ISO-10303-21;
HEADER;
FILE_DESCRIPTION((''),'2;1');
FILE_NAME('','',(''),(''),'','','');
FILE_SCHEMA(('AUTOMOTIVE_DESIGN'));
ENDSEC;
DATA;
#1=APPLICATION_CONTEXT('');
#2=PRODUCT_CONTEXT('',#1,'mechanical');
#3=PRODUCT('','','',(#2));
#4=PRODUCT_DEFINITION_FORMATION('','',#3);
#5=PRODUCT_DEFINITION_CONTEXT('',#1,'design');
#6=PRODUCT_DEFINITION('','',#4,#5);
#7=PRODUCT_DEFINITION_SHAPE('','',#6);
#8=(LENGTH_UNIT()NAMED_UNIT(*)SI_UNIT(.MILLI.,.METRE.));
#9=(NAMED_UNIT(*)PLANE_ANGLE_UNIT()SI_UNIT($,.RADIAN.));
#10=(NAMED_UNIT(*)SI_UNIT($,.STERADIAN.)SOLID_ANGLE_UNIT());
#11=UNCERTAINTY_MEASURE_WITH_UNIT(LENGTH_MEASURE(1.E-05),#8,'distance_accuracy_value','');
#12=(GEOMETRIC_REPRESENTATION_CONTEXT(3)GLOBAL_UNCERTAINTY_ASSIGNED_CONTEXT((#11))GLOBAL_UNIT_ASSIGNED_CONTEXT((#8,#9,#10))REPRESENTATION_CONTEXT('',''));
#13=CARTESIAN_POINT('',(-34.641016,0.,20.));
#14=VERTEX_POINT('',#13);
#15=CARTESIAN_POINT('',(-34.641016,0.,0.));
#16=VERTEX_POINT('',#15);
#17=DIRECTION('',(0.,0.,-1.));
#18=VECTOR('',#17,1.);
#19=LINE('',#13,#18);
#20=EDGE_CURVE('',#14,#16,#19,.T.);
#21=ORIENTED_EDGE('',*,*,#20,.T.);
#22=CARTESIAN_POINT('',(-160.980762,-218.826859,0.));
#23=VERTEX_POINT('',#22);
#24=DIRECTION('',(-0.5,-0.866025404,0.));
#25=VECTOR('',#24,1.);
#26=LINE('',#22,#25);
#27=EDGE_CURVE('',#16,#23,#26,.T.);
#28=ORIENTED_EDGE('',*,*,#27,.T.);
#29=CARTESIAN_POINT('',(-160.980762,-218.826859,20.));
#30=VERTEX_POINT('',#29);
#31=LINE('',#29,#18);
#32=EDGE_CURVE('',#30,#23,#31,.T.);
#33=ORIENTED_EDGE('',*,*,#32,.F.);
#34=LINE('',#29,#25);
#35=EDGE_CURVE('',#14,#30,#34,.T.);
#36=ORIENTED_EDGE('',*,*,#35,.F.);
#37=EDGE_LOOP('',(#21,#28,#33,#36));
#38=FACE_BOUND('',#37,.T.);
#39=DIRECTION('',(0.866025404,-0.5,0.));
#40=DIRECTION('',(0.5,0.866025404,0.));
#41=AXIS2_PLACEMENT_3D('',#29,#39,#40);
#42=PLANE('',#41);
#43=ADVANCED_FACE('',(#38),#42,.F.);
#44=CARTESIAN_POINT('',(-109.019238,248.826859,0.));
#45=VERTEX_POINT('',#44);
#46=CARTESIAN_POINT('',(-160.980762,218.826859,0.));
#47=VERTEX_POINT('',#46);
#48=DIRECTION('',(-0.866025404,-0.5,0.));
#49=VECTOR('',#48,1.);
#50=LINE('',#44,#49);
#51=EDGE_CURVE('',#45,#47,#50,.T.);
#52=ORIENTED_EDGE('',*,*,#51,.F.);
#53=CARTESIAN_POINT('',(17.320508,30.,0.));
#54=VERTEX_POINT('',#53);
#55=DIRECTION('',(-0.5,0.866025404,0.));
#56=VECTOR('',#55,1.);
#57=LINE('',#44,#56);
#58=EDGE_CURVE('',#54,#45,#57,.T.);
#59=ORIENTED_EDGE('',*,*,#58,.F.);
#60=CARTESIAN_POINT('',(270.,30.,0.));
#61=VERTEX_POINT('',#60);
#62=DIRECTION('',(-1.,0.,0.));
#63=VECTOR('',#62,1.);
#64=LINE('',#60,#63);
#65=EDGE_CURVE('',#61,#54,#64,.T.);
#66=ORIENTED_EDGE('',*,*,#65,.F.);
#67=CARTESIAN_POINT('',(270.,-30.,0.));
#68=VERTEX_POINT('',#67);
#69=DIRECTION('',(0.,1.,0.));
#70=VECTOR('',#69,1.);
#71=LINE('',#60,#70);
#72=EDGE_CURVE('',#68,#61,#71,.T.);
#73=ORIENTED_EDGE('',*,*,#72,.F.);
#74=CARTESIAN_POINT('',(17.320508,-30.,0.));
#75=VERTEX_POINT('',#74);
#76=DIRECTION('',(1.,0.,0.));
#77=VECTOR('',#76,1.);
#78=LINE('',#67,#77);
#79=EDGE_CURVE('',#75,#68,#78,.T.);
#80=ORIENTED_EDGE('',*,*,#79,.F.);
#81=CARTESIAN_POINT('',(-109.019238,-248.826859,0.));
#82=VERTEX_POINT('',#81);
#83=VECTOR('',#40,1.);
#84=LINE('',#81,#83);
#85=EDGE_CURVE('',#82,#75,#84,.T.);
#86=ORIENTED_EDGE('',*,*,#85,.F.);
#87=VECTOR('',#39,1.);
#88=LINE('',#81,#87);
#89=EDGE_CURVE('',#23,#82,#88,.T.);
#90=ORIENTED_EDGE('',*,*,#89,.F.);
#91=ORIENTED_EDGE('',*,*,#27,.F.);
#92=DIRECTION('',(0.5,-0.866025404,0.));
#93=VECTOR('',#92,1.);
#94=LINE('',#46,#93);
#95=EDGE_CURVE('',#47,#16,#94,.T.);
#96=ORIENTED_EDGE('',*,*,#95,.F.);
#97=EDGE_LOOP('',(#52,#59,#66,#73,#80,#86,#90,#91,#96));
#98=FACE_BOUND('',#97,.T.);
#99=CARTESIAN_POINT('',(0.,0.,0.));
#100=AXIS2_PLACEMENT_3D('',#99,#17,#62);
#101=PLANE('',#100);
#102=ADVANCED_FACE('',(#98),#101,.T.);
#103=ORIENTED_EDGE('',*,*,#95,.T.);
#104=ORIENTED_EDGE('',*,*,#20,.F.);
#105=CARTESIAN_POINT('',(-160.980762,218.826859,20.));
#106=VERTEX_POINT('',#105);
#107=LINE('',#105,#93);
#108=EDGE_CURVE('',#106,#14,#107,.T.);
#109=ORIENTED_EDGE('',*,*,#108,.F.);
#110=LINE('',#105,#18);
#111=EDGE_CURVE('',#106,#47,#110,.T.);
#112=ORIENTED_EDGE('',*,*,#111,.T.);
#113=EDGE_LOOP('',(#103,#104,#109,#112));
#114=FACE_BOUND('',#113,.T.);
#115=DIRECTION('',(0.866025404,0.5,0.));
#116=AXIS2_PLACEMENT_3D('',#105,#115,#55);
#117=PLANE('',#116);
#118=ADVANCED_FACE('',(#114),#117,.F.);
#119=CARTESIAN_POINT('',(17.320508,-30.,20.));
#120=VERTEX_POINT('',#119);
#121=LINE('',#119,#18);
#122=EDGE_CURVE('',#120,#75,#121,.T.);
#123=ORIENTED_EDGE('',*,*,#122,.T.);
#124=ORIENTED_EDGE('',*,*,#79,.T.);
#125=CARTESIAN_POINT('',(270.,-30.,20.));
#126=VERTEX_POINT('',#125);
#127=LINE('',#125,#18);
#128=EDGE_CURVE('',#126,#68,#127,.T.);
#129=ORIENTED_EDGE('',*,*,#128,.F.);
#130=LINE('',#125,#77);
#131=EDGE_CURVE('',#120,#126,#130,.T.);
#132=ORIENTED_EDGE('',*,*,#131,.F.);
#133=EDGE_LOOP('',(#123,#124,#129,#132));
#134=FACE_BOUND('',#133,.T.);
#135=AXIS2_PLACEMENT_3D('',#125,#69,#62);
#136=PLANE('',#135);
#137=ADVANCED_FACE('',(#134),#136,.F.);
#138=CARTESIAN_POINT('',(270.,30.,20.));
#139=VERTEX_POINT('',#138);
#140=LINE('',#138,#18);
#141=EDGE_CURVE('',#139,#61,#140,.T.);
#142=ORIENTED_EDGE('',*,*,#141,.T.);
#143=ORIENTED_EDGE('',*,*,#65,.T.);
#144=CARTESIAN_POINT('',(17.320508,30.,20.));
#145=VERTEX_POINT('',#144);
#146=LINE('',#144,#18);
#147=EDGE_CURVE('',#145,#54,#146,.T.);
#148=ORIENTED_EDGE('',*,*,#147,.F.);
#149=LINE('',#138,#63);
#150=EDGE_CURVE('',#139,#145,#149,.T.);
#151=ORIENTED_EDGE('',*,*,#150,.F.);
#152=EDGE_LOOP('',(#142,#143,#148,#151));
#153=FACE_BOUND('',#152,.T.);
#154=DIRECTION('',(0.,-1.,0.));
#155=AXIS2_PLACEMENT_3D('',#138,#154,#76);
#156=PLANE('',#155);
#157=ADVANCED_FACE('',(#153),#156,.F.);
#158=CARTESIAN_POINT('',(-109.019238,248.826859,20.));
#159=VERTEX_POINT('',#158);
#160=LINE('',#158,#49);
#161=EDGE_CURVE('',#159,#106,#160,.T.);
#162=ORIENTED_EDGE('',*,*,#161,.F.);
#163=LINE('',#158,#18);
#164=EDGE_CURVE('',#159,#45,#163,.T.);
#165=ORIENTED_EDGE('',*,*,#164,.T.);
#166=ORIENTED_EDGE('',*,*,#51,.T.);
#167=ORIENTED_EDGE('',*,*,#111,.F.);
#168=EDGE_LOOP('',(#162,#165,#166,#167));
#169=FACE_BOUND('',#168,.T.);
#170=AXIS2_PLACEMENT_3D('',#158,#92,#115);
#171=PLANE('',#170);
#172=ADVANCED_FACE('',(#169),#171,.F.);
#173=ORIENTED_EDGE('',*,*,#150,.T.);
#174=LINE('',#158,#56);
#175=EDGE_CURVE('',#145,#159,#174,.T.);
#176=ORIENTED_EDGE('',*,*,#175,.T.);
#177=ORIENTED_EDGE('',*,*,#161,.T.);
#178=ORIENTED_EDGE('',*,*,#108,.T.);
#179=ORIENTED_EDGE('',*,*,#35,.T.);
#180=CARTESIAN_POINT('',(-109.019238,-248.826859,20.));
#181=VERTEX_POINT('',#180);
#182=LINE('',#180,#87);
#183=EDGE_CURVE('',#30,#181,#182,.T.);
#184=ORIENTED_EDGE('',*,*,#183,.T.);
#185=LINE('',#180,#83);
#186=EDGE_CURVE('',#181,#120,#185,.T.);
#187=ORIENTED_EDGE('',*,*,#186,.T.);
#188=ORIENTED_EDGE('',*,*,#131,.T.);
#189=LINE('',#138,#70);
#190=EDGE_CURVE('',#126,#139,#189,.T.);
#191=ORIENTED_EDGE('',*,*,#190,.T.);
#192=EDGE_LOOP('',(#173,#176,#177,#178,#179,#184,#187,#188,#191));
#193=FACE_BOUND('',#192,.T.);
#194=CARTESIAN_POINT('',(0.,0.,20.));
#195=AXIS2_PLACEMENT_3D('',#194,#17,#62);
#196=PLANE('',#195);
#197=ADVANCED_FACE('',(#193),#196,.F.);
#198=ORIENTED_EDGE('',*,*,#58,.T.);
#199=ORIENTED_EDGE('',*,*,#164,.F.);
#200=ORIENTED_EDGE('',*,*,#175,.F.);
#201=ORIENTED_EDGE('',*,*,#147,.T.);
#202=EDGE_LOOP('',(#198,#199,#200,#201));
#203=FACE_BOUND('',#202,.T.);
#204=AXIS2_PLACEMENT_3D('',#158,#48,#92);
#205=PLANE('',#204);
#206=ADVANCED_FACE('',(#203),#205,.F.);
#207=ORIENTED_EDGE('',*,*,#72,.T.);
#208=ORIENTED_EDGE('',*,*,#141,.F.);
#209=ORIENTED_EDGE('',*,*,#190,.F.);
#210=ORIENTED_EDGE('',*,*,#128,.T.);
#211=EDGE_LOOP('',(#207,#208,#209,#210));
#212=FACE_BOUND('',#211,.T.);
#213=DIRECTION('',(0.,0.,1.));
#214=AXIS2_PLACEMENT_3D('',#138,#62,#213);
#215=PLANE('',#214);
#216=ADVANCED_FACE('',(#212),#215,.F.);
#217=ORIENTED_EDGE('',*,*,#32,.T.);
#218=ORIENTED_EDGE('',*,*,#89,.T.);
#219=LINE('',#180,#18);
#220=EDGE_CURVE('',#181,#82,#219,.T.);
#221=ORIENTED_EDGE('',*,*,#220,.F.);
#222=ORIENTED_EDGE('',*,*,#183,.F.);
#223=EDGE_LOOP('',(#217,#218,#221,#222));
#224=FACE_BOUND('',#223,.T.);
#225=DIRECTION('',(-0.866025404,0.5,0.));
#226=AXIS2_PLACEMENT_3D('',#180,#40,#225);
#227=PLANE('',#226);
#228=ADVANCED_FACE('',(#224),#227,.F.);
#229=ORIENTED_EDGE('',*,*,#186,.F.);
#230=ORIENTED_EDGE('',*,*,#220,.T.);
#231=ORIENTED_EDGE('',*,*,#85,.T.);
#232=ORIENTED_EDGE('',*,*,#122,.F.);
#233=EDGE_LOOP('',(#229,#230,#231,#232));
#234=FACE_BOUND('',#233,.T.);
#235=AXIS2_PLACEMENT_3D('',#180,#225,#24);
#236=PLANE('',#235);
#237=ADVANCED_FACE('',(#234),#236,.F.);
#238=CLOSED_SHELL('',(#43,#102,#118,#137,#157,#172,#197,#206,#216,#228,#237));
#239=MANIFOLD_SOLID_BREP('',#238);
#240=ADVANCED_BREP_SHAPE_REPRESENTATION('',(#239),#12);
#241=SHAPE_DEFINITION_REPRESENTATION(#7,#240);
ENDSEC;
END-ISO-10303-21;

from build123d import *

# Parameters (mm, degrees)
BOSS_EXTRUDE2_DEPTH = 20


with BuildPart() as part:
    # Sketch1 → Boss-Extrude2 (new body)
    with BuildSketch(Plane.XY):
        Polygon((270, 30), (17.320508076, 30), (-109.019237886, 248.826859022), (-160.980762114, 218.826859022), (-34.641016151, 0), (-160.980762114, -218.826859022), (-109.019237886, -248.826859022), (17.320508076, -30), (270, -30), align=None)
    extrude(amount=BOSS_EXTRUDE2_DEPTH)


solid = part.part
